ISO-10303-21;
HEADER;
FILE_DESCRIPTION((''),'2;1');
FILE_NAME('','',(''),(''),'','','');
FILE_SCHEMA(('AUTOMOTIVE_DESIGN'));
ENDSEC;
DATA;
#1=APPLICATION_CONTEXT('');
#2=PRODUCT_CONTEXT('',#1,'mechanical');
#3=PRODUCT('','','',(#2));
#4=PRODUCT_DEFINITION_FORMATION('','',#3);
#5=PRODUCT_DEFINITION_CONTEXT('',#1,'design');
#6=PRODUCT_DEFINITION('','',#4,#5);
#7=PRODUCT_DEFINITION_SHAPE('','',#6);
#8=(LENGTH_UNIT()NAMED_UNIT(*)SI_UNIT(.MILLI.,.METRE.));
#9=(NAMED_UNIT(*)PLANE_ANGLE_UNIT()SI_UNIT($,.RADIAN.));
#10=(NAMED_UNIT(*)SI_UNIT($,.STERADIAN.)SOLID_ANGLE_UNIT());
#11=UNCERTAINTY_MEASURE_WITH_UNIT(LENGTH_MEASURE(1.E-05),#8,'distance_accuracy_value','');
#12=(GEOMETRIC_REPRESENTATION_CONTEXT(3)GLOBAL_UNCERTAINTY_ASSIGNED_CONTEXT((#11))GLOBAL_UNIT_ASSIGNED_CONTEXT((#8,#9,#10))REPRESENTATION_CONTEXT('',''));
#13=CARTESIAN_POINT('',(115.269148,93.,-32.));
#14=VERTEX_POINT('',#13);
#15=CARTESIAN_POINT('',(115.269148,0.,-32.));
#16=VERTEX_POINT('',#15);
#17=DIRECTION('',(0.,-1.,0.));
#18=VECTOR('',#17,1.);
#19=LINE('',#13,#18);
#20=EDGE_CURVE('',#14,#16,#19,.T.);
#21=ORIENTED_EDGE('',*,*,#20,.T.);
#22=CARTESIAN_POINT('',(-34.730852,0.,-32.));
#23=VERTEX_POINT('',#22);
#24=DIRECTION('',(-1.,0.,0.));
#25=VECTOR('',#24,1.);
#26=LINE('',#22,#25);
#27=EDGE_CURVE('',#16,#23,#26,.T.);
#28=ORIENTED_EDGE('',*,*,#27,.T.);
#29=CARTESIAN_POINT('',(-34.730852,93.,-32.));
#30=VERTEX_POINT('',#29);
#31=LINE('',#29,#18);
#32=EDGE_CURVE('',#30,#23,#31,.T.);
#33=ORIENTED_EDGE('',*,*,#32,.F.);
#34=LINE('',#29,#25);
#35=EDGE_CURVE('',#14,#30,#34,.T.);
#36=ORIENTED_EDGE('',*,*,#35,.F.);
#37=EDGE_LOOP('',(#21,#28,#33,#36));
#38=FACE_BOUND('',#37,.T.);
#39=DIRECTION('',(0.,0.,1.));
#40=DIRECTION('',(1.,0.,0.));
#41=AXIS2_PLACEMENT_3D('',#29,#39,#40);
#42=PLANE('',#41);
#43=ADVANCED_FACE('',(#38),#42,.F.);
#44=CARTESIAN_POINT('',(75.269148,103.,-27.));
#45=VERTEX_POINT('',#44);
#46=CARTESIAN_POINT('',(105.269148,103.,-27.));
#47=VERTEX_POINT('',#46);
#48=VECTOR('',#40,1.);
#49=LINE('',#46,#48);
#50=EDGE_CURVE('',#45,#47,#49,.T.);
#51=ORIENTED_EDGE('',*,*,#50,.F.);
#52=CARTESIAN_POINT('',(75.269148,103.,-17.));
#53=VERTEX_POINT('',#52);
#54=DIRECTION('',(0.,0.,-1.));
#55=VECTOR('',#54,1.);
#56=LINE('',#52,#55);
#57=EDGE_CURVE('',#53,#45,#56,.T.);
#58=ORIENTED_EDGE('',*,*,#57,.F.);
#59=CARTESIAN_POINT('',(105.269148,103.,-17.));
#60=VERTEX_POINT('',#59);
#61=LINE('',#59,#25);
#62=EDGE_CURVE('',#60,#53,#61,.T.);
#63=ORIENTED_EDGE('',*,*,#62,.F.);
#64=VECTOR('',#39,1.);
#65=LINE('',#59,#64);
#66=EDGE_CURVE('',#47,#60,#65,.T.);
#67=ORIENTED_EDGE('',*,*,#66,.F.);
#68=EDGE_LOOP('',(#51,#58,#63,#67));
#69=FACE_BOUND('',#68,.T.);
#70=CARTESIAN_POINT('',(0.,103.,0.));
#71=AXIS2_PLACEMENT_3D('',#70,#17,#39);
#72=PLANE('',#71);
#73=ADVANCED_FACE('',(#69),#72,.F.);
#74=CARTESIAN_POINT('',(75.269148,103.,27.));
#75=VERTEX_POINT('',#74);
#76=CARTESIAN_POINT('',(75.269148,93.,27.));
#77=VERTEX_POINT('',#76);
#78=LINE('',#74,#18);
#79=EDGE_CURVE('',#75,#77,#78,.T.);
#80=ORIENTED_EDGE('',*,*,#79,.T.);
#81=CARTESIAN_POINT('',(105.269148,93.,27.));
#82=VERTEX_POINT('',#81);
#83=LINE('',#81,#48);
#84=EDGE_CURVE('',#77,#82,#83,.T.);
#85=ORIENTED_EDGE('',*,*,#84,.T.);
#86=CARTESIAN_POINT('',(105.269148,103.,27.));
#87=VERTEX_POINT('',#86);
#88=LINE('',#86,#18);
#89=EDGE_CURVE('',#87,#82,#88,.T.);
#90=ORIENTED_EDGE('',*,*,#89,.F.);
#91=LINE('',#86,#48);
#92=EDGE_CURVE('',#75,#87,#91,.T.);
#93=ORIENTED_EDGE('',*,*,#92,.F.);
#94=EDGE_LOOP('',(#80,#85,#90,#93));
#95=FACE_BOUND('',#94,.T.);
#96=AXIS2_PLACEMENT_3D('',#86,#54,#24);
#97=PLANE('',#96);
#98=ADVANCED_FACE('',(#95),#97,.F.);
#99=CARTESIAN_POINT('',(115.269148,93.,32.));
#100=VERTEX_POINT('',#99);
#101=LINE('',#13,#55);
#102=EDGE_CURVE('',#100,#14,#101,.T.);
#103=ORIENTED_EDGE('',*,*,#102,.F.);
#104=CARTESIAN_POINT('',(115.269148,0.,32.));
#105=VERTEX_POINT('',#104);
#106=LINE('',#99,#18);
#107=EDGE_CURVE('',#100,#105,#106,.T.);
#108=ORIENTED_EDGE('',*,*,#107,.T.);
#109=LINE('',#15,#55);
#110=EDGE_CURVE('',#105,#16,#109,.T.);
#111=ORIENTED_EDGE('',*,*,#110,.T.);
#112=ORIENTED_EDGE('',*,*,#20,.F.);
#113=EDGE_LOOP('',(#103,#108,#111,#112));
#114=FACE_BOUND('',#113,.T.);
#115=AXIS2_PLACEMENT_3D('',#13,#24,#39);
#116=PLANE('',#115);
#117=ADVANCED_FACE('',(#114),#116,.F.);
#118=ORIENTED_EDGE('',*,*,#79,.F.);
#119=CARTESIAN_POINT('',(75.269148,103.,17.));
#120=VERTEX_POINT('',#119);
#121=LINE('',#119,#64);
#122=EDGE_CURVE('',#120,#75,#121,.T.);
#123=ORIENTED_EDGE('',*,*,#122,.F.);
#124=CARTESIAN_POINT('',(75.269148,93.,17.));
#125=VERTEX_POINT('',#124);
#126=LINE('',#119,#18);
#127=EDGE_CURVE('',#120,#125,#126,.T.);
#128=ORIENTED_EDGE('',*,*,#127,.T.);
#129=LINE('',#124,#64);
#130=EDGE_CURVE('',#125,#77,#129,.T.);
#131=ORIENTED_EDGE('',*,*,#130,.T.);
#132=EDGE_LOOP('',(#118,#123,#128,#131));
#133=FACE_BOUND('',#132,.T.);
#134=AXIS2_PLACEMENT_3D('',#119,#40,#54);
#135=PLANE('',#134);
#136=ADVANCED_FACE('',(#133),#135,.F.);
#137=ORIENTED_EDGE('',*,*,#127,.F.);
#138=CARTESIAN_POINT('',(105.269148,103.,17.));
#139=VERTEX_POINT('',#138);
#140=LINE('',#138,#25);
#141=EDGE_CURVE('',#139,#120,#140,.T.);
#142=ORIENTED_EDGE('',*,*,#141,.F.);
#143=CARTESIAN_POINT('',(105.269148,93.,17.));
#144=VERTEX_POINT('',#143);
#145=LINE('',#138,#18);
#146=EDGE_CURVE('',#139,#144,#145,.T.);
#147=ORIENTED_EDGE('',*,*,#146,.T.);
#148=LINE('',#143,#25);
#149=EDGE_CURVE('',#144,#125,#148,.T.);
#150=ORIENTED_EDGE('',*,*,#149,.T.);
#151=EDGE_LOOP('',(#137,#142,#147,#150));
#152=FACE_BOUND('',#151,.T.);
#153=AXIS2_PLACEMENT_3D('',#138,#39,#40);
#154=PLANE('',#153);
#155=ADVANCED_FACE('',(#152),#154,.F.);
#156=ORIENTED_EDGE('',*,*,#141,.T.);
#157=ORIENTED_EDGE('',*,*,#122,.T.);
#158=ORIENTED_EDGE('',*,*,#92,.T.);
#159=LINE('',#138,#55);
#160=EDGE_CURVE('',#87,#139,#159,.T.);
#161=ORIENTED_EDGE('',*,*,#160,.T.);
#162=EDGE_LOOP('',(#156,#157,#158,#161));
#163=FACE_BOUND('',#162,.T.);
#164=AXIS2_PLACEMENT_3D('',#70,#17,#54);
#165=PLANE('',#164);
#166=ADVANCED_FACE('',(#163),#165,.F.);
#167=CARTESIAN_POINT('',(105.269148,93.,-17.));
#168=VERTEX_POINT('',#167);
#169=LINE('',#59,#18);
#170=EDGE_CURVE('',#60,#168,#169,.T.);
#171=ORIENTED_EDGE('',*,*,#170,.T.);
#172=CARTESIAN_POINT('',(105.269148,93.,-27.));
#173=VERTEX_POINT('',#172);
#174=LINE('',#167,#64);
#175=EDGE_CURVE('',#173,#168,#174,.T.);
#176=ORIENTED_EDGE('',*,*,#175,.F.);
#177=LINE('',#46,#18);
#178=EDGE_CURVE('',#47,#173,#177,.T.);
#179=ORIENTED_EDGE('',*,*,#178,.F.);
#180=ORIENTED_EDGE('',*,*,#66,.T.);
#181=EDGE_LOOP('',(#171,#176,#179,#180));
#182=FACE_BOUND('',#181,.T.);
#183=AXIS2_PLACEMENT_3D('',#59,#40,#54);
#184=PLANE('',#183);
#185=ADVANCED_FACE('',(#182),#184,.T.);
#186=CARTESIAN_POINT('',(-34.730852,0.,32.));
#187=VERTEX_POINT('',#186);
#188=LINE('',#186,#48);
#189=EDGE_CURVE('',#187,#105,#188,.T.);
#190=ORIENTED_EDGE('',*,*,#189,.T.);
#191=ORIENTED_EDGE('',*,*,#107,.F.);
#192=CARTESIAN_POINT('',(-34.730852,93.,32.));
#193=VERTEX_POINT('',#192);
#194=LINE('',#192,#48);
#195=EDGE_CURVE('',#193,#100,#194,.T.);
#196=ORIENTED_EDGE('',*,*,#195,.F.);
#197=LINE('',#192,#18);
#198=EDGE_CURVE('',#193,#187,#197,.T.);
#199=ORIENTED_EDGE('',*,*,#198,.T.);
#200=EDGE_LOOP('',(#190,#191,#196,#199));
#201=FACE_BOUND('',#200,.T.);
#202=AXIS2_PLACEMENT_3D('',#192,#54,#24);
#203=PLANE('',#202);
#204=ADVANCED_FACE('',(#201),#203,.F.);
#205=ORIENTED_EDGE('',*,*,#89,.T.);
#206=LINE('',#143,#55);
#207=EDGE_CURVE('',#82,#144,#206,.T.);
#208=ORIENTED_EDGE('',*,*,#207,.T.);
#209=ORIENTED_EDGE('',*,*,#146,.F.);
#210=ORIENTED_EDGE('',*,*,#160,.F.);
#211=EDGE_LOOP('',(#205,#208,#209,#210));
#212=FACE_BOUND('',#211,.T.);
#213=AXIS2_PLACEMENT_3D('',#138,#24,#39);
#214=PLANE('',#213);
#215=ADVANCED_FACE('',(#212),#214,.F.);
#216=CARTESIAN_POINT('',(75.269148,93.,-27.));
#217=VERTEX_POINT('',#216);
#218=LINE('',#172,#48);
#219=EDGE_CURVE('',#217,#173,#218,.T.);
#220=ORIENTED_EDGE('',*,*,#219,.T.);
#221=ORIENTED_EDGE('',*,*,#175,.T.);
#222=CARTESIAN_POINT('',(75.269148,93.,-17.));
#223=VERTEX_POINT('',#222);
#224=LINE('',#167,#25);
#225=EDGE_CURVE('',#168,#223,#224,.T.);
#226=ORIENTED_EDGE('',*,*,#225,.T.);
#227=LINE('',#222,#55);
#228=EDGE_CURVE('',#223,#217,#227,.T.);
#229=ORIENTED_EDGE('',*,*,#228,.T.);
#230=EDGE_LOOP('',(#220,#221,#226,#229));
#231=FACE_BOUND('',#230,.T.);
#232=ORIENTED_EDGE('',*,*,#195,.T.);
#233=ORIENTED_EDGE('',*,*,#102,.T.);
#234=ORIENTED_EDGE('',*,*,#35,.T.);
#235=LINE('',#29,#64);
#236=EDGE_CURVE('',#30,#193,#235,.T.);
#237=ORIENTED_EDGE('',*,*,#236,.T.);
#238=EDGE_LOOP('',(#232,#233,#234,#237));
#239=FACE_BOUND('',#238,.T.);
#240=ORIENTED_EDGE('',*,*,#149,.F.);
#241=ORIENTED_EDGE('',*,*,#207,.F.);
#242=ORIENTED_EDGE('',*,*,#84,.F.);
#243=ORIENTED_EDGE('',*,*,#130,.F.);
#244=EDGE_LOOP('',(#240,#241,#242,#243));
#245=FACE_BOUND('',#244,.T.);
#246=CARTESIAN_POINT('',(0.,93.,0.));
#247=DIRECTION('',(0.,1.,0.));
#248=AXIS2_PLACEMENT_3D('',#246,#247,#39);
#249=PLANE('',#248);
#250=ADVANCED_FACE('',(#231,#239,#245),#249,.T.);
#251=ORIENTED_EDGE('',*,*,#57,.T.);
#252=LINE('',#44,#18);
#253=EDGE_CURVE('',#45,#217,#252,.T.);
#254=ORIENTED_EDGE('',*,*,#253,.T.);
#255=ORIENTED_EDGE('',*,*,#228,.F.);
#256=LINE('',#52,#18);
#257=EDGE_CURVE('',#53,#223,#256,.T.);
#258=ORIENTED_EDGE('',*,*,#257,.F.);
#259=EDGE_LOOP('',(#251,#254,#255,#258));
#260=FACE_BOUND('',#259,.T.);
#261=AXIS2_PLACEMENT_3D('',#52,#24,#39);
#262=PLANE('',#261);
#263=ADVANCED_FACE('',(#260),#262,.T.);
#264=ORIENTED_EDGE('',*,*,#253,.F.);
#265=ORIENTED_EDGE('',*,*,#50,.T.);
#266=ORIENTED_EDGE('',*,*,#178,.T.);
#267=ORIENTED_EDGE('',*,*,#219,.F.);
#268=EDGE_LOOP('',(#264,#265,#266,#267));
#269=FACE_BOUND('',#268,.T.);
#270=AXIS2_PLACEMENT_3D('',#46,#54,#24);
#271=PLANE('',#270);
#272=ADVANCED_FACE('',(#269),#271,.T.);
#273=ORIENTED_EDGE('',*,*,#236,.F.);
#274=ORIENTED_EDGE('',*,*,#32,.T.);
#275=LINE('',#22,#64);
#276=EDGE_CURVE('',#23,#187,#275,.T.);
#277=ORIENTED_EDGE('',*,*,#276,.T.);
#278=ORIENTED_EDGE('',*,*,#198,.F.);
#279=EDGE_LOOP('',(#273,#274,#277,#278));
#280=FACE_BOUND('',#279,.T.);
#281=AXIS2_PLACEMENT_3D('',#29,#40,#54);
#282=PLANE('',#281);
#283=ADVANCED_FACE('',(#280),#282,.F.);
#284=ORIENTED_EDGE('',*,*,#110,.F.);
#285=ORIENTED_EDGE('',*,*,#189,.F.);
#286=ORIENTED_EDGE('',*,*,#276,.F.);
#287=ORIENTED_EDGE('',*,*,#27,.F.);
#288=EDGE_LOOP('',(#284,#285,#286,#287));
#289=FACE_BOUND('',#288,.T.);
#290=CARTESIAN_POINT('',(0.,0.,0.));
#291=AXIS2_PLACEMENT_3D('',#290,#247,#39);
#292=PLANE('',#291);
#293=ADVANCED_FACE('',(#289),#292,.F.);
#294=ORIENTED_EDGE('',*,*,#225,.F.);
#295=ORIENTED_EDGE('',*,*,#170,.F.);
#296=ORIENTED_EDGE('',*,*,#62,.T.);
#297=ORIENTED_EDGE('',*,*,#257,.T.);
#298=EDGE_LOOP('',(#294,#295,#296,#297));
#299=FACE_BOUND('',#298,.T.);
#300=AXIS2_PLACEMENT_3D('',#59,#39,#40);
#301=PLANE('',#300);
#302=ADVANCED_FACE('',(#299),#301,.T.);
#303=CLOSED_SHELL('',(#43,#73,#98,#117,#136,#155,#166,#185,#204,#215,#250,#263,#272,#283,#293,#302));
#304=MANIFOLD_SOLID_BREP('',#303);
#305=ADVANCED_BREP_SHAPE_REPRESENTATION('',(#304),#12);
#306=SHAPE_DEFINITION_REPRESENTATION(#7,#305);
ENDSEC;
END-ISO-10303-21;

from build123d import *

# Parameters (mm, degrees)
ESQUISSE1_W        = 150
ESQUISSE1_H        = 64
BOSS_EXTRU_1_DEPTH = 93
ESQUISSE2_W        = 30
ESQUISSE2_H        = 10
BOSS_EXTRU_2_DEPTH = 10


with BuildPart() as part:
    # Esquisse1 → Boss.-Extru.1 (new body)
    with BuildSketch(Plane(origin=(0, 0, 0), x_dir=(1, 0, 0), z_dir=(0, 1, 0))):
        with Locations((40.269148016, 0)):
            Rectangle(ESQUISSE1_W, ESQUISSE1_H)
    extrude(amount=BOSS_EXTRU_1_DEPTH)

    # Esquisse2 → Boss.-Extru.2 (add)
    with BuildSketch(Plane(origin=(0, 93, 0), x_dir=(1, 0, 0), z_dir=(0, 1, 0))):
        with Locations((90.269148016, -22)):
            Rectangle(ESQUISSE2_W, ESQUISSE2_H)
    boss_extru_2 = extrude(amount=BOSS_EXTRU_2_DEPTH)

    # Symétrie1: Boss.-Extru.2 across plane
    add(boss_extru_2.mirror(Plane.XY))


solid = part.part
